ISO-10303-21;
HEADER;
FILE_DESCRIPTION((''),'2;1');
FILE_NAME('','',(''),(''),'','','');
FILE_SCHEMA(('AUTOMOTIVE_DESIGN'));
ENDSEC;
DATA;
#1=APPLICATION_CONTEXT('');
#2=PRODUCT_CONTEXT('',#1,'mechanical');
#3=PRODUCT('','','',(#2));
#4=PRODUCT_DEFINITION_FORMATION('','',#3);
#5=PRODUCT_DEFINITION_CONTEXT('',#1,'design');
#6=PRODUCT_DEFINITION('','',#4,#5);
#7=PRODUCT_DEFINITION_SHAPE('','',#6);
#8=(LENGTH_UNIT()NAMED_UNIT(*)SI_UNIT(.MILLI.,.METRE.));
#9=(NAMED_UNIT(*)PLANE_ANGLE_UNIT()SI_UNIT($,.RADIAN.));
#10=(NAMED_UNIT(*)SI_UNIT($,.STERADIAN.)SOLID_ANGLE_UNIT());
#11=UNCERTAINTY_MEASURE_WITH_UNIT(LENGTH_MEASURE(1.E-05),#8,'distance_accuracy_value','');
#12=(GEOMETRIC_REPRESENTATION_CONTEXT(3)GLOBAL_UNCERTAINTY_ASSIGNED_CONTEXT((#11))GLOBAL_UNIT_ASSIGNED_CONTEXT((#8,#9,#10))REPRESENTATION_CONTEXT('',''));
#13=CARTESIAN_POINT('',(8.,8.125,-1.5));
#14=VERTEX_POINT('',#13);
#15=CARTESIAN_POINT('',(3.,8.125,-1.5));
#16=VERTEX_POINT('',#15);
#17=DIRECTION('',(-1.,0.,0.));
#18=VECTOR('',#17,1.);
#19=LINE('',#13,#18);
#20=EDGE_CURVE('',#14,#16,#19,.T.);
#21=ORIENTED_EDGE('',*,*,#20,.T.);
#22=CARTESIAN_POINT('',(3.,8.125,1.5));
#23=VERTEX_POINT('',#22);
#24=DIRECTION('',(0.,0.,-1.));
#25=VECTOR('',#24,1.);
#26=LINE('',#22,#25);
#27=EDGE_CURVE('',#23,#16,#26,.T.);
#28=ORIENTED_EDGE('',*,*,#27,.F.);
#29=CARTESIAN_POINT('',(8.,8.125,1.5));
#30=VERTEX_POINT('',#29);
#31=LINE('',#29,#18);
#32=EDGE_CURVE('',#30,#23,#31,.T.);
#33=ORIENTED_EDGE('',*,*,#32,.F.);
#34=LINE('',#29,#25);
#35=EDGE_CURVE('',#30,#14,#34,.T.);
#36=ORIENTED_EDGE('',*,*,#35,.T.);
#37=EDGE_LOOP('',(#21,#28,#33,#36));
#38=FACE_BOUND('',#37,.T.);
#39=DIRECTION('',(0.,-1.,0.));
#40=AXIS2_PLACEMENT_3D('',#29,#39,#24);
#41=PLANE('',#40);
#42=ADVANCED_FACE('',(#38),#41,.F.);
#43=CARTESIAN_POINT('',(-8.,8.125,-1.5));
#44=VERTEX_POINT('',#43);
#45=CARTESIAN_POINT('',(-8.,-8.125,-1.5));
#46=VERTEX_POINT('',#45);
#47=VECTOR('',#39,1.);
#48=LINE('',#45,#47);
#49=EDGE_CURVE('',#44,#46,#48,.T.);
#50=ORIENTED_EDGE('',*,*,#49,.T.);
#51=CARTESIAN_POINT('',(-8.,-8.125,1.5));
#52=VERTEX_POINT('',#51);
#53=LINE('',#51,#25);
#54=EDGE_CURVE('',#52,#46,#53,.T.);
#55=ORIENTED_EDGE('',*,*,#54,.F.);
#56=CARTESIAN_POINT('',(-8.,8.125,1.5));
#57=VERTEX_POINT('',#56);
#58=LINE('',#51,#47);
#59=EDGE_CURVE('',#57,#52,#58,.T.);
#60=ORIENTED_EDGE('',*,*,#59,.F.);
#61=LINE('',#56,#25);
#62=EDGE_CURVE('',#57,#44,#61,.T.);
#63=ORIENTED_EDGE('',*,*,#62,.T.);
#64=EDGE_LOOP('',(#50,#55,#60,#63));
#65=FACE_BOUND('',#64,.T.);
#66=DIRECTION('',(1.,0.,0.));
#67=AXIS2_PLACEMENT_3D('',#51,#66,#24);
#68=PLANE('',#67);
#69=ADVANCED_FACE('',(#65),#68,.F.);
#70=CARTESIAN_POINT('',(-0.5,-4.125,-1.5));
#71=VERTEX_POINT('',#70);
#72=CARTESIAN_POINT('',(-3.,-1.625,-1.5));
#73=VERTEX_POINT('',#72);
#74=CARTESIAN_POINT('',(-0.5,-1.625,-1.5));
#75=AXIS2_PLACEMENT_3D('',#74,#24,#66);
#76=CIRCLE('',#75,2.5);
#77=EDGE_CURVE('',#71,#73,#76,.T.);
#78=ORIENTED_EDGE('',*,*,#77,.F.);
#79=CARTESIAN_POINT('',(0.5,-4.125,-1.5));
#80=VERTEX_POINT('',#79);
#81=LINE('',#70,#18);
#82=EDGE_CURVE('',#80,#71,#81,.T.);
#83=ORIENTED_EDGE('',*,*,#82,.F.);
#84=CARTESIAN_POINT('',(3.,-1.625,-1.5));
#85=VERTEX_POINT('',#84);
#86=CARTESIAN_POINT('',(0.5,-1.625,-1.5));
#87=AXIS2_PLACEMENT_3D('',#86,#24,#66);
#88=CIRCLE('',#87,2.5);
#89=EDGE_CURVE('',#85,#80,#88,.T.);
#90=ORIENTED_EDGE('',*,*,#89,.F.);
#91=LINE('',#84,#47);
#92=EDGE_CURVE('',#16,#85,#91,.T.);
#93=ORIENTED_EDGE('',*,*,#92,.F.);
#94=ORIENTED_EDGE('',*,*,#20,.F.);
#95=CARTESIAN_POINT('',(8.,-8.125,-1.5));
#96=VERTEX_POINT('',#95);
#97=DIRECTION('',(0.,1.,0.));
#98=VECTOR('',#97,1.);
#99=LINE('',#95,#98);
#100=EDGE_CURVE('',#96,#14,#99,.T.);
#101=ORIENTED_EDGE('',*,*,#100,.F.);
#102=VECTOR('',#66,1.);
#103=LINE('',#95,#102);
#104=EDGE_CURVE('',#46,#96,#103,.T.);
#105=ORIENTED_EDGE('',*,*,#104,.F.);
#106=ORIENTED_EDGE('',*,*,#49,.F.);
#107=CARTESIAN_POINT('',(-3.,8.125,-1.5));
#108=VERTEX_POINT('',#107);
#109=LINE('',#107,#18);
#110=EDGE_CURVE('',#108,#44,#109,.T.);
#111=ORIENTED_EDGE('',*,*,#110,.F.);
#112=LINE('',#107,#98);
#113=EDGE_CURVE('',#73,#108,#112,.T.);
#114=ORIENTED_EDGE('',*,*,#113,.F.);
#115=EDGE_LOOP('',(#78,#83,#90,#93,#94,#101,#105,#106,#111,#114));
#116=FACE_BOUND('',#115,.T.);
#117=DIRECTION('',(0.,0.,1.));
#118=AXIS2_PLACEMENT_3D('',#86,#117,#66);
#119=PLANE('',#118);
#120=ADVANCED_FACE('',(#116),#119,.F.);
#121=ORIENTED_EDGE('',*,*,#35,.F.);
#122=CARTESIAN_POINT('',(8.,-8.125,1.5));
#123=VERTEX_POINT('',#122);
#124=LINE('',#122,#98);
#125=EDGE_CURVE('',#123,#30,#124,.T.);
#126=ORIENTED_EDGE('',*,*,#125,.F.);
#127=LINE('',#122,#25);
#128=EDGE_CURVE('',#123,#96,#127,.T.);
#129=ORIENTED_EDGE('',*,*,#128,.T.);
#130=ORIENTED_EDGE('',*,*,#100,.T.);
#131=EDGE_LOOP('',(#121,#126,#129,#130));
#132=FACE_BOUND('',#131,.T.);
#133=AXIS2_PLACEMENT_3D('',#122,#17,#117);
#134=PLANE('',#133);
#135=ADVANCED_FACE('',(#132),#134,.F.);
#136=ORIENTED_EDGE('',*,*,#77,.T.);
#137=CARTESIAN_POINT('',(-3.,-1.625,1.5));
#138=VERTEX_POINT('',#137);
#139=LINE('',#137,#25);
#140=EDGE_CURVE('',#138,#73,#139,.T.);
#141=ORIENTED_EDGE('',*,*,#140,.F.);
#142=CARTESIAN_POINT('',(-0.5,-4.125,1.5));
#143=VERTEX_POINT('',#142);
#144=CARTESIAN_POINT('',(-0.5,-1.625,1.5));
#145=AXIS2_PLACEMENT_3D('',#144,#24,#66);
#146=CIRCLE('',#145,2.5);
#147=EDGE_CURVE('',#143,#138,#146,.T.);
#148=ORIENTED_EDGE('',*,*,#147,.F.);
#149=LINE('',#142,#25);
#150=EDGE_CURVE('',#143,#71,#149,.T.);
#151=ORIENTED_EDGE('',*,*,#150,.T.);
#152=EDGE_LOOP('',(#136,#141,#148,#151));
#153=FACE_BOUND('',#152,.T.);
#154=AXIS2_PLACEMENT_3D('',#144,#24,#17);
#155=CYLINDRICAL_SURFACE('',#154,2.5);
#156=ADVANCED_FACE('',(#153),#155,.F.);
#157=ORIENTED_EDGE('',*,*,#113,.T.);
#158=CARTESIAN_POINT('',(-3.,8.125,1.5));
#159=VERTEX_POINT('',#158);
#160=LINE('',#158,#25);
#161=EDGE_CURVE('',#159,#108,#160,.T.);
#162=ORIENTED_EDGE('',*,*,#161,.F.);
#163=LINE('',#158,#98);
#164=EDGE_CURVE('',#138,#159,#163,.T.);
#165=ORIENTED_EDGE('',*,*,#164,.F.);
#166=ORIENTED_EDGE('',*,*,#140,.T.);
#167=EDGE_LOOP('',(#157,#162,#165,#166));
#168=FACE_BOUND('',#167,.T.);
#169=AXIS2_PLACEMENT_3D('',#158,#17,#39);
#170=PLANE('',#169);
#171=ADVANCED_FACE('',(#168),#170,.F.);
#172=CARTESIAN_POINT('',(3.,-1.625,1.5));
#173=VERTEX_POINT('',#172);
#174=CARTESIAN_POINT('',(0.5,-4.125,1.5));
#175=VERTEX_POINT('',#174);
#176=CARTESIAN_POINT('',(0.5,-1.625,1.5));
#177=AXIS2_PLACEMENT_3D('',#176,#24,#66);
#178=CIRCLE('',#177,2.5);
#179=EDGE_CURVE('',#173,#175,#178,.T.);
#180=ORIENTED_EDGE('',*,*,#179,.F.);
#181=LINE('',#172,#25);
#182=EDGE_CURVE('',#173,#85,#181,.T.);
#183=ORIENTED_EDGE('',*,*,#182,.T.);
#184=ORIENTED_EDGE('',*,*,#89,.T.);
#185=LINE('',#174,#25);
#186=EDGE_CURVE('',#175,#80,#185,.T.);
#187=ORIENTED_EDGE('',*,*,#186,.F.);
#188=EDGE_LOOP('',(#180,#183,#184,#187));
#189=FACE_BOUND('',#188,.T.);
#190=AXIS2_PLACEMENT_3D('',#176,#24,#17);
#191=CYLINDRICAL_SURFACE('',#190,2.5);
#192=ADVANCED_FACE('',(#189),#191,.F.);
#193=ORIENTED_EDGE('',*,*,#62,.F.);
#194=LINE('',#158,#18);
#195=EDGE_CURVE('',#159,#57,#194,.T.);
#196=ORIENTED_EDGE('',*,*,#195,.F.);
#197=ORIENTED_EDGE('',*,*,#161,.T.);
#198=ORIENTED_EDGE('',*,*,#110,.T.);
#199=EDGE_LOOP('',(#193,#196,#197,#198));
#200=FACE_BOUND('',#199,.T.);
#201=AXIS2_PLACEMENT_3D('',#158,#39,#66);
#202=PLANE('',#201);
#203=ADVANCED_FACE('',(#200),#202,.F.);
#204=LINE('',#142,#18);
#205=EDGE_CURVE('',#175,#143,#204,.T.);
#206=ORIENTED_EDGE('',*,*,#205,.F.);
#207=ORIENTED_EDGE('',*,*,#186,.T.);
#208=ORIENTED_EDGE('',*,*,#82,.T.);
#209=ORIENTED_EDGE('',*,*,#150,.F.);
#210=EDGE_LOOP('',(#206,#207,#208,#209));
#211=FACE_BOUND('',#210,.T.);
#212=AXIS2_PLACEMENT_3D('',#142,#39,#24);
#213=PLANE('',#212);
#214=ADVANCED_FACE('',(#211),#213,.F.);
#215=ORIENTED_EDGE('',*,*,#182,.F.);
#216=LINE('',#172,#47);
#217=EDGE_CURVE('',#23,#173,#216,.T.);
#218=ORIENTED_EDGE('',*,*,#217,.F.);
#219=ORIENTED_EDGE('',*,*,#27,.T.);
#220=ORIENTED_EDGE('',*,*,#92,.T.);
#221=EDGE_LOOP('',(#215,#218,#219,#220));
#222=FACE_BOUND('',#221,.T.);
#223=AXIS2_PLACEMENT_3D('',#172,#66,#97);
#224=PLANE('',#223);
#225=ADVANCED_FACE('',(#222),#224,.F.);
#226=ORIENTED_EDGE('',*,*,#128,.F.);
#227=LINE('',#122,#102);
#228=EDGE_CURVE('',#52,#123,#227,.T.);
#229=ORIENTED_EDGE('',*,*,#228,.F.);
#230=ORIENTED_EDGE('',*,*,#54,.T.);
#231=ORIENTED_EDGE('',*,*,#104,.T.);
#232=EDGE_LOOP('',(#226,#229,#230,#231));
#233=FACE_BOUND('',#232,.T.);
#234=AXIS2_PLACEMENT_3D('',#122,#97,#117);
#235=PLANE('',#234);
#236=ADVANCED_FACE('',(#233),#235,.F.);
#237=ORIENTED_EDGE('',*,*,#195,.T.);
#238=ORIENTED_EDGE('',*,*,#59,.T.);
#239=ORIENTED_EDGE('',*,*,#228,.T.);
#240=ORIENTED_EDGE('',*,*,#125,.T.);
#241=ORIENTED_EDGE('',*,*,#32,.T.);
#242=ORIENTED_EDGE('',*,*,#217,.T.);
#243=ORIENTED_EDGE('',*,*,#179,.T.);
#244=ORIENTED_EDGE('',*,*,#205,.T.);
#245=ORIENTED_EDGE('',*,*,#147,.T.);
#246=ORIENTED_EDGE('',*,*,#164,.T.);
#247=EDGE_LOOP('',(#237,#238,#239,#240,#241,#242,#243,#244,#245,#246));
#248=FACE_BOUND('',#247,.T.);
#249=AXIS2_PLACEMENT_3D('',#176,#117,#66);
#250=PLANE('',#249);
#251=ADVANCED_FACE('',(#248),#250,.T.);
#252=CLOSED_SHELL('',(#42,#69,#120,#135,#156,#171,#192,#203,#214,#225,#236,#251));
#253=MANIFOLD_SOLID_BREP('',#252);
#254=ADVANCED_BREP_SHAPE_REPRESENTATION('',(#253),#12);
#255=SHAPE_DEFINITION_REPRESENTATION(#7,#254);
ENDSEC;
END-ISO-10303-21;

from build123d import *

# Parameters (mm, degrees)
BOSS_EXTRUDE1_DEPTH = 1.5


with BuildPart() as part:
    # Sketch1 → Boss-Extrude1 (new, symmetric)
    with BuildSketch(Plane.XY):
        with BuildLine():
            Line((8, -8.125), (-8, -8.125))
            Line((-8, -8.125), (-8, 8.125))
            Line((-8, 8.125), (-3, 8.125))
            Line((-3, 8.125), (-3, -1.625))
            ThreePointArc((-3, -1.625), (-2.267766953, -3.392766953), (-0.5, -4.125))
            Line((-0.5, -4.125), (0.5, -4.125))
            ThreePointArc((0.5, -4.125), (2.267766953, -3.392766953), (3, -1.625))
            Line((3, -1.625), (3, 8.125))
            Line((3, 8.125), (8, 8.125))
            Line((8, 8.125), (8, -8.125))
        make_face()
    extrude(amount=BOSS_EXTRUDE1_DEPTH, both=True)


solid = part.part
